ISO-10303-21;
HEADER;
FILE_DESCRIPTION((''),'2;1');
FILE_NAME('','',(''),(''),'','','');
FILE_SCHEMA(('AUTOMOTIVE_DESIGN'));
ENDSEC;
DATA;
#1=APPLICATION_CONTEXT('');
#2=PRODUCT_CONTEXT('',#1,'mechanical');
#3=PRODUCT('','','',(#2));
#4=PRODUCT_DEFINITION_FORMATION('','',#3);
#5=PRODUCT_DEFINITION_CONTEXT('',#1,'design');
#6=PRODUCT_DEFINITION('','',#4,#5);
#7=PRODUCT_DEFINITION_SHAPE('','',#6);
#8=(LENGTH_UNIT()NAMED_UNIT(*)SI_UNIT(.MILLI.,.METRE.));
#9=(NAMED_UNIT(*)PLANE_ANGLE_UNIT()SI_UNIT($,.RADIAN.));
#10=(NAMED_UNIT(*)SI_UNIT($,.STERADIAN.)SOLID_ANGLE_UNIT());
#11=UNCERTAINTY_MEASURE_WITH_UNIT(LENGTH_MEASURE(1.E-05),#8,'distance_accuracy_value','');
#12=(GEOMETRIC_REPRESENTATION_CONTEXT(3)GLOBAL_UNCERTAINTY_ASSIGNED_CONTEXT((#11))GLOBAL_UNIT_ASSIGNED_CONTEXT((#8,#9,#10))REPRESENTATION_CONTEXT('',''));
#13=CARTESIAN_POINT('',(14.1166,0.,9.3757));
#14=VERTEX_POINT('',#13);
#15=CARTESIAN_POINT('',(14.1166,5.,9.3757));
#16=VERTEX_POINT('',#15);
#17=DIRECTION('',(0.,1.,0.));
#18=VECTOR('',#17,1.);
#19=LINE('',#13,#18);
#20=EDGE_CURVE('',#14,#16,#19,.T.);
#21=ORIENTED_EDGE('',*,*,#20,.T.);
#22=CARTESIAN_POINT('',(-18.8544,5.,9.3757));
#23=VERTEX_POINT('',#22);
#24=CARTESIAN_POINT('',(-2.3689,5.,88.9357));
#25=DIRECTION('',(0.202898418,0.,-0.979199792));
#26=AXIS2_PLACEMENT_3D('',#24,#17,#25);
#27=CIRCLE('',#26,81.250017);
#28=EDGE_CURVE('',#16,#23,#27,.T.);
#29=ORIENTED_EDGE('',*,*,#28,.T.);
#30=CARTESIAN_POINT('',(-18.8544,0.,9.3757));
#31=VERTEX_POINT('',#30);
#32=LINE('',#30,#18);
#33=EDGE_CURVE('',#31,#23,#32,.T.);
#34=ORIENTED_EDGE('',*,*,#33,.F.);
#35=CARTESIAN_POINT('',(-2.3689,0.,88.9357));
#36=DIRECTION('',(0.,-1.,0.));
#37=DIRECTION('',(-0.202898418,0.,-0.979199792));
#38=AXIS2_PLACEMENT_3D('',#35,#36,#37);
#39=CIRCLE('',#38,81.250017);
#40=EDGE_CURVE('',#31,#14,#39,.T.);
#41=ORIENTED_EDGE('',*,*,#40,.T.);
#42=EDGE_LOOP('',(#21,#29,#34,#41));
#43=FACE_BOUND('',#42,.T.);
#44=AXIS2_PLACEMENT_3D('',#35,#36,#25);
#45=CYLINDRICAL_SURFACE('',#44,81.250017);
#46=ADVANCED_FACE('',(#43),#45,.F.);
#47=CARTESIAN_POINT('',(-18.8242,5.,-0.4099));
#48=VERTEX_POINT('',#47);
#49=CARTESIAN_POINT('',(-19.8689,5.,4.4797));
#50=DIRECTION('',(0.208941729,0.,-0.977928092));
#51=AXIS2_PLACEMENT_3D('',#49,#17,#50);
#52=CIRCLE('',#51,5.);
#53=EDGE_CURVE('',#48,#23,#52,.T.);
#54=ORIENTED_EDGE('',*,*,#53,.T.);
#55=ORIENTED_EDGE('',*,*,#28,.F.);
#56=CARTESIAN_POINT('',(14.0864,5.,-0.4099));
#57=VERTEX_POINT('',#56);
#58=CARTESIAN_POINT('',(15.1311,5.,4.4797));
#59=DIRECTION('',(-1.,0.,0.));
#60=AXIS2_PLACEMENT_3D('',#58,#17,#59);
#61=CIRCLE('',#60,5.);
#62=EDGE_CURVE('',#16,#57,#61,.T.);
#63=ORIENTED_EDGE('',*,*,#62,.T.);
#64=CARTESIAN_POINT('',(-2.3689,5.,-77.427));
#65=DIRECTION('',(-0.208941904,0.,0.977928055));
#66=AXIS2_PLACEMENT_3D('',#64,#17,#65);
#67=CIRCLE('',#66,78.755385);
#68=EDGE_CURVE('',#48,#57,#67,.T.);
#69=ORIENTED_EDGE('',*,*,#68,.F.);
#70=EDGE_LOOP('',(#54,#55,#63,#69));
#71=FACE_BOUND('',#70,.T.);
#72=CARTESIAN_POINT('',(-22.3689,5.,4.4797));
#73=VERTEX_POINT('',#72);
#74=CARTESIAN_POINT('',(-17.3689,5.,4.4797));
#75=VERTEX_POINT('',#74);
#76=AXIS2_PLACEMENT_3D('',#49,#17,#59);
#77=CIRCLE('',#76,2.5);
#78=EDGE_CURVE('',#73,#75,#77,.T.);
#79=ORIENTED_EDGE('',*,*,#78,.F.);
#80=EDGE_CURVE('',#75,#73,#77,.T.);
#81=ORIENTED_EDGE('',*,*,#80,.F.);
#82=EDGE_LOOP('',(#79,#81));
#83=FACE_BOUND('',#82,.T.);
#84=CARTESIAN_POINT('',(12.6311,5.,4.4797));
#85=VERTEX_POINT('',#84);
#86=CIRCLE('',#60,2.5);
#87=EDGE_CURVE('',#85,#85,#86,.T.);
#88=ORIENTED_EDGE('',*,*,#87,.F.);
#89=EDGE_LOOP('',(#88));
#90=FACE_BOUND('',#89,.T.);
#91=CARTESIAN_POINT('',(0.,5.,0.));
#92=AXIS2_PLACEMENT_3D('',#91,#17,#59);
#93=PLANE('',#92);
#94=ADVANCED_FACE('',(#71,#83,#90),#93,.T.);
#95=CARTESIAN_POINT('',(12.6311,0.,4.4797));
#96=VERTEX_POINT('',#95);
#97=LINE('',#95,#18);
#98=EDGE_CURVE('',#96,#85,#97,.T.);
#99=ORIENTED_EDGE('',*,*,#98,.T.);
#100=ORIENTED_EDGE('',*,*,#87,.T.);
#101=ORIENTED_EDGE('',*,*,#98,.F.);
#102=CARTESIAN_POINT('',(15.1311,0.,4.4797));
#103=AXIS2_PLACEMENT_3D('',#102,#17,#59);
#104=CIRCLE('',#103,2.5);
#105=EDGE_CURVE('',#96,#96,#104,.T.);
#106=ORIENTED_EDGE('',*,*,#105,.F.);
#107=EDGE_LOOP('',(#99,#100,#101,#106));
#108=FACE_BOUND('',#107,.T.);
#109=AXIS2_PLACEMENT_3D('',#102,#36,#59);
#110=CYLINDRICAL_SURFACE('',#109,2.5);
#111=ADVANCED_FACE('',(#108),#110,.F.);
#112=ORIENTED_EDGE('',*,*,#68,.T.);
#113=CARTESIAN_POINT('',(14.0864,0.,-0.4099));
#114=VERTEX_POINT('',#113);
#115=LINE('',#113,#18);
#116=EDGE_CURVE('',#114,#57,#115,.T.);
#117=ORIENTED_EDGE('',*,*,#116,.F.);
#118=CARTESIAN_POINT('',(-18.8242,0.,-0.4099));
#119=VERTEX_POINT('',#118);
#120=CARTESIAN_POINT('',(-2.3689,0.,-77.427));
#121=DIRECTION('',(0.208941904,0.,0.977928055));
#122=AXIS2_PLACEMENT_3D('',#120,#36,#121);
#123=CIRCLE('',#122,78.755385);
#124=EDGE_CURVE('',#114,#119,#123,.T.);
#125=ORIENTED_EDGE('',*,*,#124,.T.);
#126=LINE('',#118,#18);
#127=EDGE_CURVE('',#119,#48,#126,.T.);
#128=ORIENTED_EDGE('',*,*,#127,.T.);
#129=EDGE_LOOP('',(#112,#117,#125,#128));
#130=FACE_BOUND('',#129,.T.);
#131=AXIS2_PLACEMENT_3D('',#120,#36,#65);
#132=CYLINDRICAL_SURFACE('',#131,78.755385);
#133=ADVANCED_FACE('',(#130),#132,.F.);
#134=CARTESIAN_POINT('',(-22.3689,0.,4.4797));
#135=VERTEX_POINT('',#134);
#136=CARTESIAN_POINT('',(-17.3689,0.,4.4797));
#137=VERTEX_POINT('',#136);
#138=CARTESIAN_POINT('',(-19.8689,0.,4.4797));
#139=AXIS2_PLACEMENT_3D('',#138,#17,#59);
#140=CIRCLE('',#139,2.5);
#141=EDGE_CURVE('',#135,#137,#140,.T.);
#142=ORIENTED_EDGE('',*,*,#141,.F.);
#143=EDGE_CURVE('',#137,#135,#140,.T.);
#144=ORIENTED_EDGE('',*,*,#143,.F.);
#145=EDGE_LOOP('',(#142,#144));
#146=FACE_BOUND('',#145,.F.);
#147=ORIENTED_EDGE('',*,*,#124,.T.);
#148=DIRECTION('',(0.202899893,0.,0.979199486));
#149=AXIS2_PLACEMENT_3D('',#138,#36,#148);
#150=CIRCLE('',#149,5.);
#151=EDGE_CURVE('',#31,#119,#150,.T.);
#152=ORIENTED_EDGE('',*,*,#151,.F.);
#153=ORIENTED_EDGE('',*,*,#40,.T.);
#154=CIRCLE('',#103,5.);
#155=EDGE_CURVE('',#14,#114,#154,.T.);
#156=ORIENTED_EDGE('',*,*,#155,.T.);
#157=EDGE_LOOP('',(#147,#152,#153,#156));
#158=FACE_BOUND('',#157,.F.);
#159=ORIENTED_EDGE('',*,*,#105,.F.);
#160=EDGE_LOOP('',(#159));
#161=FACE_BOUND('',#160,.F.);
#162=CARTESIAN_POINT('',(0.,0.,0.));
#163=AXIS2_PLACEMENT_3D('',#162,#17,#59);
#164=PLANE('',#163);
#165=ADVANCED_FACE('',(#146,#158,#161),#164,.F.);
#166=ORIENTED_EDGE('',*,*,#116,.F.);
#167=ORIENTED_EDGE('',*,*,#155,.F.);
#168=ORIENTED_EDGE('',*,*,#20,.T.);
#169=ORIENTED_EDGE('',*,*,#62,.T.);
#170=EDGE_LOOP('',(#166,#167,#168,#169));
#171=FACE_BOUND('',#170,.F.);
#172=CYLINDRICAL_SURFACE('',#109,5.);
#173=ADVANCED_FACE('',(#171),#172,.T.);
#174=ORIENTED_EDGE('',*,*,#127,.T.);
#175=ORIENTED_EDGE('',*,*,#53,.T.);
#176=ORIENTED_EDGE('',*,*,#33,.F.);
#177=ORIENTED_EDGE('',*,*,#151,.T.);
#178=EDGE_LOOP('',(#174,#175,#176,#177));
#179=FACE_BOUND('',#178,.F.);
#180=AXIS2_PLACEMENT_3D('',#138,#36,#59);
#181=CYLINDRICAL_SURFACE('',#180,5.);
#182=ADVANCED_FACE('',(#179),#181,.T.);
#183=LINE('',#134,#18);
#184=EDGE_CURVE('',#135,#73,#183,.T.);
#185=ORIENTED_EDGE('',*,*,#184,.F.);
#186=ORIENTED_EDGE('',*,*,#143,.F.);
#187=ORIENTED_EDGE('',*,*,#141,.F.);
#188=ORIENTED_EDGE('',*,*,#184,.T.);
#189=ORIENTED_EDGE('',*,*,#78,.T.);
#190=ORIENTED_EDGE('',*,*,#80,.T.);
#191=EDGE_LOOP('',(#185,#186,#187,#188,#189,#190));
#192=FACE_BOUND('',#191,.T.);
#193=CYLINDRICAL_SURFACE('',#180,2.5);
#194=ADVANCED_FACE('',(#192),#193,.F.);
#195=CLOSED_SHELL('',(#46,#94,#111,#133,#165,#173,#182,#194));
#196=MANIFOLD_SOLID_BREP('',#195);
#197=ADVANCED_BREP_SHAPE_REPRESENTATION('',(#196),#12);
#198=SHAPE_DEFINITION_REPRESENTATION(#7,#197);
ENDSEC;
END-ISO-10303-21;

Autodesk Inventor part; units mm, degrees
ref_plane "YZ Plane" through (0, 0, 0) normal (1, 0, 0) x (0, 1, 0)
ref_plane "XZ Plane" through (0, 0, 0) normal (0, 1, 0) x (-1, 0, 0)
ref_plane "XY Plane" through (0, 0, 0) normal (0, 0, 1) x (1, 0, 0)
sketch "Sketch1" plane through (0, 0, 0) normal (0, 1, 0) x (-1, 0, 0)
  line L0 (-15.1311, 4.4797) -> (19.8689, 4.4797)
  circle A0 centre (19.8689, 4.4797) radius 2.5
  circle A1 centre (-15.1311, 4.4797) radius 2.5
  circle A2 centre (-15.1311, 4.4797) radius 5
  circle A3 centre (19.8689, 4.4797) radius 5
  line L1 (2.3689, 4.4797) -> (2.3689, 1.3284)
  line L2 (2.3689, 1.3284) -> (2.3689, 4.4797)
  line L3 (2.3689, 4.4797) -> (2.3689, 7.6857)
  arc A4 (-14.1166, 9.3757) -> (18.8544, 9.3757) centre (2.3689, 88.9357) ccw
  arc A5 (18.8242, -0.4099) -> (-14.0864, -0.4099) centre (2.3689, -77.427) ccw
  point P0 (0, 0)
  point P1 (7.7903, 4.509)
  dimension "d0" = 35
  dimension "d1" = 5
  dimension "d2" = 5
  dimension "d3" = 10
  dimension "d4" = 10
extrude "Extrusion1" add sketch "Sketch1" along normal blind 5
properties part number "body-tail"
